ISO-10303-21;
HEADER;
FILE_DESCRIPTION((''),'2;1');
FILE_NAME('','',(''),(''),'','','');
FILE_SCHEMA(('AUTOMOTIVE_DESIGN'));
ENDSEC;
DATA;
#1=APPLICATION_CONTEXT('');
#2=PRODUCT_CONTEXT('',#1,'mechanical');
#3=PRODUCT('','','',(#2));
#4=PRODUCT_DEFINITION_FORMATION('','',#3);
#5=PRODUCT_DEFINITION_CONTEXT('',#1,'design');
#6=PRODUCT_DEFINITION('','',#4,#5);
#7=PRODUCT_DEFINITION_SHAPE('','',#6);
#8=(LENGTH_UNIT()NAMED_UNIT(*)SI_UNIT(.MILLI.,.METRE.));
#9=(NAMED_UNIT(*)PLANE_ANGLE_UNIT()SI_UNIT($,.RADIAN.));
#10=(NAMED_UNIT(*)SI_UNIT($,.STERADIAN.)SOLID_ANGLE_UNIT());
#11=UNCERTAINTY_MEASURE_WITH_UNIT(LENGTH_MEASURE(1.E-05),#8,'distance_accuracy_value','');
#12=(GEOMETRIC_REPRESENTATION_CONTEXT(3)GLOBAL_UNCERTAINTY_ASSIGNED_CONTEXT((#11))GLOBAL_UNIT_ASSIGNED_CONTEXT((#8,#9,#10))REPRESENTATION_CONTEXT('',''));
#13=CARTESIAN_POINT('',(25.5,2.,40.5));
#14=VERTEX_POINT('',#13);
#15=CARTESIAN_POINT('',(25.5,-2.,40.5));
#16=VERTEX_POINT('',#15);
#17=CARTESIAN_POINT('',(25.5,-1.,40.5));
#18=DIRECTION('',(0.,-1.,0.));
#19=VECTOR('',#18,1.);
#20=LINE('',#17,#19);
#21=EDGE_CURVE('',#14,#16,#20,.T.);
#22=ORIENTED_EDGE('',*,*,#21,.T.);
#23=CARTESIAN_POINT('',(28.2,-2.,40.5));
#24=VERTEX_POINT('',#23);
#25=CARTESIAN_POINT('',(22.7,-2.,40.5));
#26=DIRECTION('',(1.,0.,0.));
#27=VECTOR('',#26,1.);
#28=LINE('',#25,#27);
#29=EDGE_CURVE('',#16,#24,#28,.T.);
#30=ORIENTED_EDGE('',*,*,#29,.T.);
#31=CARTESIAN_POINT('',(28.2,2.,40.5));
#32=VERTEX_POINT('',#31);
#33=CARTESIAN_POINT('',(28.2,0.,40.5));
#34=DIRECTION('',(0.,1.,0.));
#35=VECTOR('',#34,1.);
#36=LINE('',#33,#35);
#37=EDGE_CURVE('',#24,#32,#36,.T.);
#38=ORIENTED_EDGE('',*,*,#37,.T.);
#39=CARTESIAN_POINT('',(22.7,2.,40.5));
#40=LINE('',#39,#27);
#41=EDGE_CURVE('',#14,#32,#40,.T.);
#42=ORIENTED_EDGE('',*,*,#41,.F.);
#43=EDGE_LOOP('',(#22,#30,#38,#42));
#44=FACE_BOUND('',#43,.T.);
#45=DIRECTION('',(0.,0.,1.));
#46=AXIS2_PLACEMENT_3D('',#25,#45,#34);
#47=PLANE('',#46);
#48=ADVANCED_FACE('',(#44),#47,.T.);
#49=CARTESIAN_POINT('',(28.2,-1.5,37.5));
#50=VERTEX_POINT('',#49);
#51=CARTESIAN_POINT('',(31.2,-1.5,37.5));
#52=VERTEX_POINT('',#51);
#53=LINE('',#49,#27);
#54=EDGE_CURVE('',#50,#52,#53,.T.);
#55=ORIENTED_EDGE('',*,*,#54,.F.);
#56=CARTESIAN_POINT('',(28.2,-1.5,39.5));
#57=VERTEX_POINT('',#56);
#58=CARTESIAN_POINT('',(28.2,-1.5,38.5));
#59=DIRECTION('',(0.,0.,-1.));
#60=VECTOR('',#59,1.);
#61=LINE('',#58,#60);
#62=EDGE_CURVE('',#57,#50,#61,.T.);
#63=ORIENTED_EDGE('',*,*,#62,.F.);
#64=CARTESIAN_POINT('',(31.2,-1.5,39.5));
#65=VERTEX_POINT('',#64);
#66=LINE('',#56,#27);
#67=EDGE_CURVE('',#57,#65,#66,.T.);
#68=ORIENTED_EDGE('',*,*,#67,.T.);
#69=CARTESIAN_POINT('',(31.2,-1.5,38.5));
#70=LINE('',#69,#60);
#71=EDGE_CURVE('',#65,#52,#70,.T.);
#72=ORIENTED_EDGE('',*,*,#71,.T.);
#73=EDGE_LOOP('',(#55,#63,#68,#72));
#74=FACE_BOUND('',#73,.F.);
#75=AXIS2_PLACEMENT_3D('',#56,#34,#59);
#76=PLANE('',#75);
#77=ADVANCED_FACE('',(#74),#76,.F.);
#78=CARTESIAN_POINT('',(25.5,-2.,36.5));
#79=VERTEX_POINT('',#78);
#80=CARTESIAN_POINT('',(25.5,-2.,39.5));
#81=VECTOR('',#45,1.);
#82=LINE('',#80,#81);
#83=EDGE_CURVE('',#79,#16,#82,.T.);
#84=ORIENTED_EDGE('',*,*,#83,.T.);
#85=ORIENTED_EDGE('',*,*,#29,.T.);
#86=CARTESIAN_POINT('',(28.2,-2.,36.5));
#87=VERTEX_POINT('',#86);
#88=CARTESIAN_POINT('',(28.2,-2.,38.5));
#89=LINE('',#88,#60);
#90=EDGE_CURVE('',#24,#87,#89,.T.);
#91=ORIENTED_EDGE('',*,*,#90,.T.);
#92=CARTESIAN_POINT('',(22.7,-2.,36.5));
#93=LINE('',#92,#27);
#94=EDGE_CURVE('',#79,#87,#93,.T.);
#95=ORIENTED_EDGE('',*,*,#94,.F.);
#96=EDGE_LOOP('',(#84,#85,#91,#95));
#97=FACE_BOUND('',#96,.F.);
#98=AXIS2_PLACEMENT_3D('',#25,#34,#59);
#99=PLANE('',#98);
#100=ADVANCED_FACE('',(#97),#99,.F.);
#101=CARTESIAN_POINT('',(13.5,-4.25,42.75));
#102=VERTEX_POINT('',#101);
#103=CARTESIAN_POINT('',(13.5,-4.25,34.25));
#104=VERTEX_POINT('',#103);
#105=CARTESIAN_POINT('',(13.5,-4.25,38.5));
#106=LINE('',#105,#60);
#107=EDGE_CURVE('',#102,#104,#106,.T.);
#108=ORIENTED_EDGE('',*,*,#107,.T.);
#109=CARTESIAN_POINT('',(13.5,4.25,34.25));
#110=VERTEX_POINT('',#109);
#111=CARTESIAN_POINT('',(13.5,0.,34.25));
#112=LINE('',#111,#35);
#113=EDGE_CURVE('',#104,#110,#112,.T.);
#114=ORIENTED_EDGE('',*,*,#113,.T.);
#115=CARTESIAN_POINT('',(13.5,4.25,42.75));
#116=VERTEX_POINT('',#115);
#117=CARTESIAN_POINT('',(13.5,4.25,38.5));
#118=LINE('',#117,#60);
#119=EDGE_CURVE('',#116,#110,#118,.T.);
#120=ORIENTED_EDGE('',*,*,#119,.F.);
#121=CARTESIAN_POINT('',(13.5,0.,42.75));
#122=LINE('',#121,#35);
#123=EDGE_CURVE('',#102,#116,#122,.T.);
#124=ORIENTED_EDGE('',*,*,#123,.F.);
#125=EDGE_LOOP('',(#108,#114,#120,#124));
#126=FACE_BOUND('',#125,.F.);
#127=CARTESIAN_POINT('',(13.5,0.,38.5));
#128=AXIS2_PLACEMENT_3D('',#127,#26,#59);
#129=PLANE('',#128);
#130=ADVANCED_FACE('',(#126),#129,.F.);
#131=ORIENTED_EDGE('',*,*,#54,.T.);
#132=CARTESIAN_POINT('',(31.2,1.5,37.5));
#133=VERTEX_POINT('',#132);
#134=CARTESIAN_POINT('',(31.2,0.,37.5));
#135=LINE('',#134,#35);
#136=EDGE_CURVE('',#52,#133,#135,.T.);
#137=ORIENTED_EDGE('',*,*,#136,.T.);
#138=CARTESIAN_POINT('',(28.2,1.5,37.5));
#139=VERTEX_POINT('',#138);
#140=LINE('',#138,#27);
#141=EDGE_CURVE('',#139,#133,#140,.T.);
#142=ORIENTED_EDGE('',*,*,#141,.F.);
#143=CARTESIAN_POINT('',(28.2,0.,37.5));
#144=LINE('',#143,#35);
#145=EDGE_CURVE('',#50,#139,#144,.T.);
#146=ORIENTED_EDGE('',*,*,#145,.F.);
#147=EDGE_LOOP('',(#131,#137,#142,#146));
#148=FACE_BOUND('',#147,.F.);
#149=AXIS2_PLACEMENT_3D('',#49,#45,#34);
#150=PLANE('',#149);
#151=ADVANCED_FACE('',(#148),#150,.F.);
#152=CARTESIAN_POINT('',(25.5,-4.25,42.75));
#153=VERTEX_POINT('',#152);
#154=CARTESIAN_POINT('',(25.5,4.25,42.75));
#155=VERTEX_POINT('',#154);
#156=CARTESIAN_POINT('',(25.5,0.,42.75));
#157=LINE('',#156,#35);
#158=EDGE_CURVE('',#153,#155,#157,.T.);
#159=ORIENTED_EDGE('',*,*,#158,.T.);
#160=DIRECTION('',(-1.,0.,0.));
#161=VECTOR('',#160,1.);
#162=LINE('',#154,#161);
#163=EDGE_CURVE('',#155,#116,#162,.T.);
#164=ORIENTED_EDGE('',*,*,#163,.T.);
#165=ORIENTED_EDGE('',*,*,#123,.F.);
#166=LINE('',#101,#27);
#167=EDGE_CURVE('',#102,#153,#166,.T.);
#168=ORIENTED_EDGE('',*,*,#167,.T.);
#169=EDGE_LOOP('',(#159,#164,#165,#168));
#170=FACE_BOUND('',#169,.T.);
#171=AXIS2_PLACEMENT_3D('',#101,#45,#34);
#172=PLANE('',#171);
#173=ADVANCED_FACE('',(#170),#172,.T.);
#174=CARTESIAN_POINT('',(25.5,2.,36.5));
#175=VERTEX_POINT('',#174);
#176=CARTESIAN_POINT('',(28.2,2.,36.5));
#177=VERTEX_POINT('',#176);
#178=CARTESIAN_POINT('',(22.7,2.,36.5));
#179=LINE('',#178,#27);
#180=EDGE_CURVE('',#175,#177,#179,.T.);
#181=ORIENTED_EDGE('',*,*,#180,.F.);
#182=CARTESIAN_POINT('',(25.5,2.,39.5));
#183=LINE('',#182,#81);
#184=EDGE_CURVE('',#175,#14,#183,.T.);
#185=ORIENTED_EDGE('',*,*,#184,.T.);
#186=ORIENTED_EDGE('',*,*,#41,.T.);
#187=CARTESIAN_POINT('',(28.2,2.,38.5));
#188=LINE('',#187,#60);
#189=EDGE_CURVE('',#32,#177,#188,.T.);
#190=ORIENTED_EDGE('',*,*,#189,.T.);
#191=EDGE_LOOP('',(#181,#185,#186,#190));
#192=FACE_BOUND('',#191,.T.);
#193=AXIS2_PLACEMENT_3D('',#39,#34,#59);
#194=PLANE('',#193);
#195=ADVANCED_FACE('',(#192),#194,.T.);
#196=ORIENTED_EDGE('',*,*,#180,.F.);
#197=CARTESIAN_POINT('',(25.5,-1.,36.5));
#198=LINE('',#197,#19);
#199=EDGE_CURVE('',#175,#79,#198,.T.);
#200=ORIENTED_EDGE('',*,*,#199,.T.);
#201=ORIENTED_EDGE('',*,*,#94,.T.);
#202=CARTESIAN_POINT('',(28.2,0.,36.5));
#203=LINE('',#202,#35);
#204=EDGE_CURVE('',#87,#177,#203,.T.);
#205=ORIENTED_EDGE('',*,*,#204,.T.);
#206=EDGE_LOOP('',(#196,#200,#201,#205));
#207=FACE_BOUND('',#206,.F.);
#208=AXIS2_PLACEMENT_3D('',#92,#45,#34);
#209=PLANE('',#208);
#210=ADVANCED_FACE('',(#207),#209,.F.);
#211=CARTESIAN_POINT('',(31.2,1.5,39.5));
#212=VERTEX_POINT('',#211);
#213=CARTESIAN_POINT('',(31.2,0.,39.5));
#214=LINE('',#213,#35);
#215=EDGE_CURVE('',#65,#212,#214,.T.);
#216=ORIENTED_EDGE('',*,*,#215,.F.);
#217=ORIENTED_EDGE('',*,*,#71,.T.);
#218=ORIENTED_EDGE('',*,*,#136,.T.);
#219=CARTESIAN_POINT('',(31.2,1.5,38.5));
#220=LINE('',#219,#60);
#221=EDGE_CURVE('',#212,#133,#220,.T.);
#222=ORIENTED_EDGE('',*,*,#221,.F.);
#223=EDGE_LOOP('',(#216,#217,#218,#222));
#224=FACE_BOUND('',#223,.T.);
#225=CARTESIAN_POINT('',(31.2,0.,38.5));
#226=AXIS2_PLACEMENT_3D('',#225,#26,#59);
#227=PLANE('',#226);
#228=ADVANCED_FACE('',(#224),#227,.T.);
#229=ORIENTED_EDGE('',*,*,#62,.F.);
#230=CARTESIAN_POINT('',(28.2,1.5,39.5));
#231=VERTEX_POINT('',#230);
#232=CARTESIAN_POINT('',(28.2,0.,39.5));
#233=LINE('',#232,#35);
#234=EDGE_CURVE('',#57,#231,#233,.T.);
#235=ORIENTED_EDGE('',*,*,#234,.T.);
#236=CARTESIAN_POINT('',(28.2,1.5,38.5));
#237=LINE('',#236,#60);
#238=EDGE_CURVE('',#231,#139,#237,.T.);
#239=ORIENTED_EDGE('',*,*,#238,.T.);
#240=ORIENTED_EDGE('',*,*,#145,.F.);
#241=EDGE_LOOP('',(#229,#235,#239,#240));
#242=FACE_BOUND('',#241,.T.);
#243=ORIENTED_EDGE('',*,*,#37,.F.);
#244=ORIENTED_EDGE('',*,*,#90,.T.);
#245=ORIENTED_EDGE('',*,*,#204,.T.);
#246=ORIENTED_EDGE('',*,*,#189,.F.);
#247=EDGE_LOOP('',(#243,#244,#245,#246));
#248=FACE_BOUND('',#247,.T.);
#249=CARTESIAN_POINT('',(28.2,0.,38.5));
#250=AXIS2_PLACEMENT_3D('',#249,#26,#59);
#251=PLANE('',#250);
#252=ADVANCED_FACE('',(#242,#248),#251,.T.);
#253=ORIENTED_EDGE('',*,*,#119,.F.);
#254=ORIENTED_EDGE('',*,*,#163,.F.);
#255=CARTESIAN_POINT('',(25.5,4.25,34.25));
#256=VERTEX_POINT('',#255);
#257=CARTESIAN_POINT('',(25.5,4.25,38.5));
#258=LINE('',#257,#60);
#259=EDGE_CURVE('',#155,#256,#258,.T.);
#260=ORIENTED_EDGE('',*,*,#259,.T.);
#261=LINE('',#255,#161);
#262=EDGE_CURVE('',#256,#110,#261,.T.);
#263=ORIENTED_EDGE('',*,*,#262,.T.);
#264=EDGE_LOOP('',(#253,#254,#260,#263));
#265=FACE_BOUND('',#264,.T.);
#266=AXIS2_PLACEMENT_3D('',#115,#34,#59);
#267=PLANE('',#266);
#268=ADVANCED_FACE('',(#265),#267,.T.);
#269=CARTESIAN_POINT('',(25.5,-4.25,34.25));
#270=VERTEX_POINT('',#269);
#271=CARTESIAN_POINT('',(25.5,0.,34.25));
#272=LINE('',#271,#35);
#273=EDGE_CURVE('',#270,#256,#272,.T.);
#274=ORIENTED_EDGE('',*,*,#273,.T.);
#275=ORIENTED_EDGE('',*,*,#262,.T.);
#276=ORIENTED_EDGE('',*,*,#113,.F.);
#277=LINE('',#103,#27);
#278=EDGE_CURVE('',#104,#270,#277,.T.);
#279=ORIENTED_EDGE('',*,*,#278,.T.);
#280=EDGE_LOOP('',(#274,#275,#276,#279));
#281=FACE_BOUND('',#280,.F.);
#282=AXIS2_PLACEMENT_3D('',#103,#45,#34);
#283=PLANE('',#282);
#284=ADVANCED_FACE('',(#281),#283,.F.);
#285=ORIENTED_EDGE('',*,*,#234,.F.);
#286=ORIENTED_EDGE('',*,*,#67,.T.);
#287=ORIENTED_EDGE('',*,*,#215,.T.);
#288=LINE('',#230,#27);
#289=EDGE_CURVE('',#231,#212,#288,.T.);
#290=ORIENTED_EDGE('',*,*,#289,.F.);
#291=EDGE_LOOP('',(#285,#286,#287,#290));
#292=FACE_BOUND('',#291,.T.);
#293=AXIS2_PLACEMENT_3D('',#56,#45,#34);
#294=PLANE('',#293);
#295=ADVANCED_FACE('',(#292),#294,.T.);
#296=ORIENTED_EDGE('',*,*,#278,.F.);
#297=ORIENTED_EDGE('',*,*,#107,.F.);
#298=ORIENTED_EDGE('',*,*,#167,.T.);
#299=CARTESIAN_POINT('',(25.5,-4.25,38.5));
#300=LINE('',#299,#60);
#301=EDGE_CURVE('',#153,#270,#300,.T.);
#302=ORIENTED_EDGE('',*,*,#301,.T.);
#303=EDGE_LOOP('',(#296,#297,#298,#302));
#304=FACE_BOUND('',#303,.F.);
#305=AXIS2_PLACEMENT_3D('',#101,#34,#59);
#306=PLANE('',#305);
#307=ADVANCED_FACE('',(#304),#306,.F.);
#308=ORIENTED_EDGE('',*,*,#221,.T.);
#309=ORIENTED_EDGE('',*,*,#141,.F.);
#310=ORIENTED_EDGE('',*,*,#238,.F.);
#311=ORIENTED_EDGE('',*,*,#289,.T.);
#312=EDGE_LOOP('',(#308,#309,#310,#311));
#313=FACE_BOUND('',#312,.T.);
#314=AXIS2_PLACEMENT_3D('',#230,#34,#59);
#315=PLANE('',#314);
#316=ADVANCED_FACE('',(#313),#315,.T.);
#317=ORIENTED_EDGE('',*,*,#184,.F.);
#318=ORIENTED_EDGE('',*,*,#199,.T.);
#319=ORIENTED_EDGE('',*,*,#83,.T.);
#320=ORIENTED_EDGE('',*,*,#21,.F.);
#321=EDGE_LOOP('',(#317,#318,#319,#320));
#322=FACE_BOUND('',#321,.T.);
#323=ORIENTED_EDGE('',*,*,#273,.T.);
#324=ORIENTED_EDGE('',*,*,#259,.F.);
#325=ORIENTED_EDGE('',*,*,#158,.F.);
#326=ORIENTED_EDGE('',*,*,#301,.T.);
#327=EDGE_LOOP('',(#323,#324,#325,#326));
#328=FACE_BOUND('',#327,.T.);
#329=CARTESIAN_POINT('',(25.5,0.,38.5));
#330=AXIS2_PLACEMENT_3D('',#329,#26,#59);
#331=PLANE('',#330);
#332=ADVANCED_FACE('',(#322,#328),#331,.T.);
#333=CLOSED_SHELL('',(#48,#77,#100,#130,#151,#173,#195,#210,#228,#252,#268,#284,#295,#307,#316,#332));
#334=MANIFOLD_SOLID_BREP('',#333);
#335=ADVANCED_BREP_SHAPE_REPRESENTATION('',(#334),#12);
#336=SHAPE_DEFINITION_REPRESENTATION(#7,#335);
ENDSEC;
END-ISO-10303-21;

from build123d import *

# Parameters (mm, degrees)
BOX075_W                = 4
BOX075_H                = 4
BOX075_DEPTH            = 5.5
BOX076_W                = 8.5
BOX076_H                = 8.5
BOX076_DEPTH            = 3.5
BOX078_W                = 2
BOX078_H                = 3
BOX078_DEPTH            = 3
BOX074_W                = 8.5
BOX074_H                = 8.5
BOX074_DEPTH            = 8.5
BODY004_PLACEMENT_ANGLE = 90


with BuildPart() as plunger:
    # Box075 → Box075 (new body)
    with BuildSketch(Plane(origin=(-2, -2, 5.7), x_dir=(1, 0, 0), z_dir=(0, 0, 1))):
        with Locations((2, 2)):
            Rectangle(BOX075_W, BOX075_H)
    extrude(amount=BOX075_DEPTH)


with BuildPart() as pins:
    # Box076 → Box076 (new body)
    with BuildSketch(Plane(origin=(-4.25, -4.25, -3.5), x_dir=(1, 0, 0), z_dir=(0, 0, 1))):
        with Locations((4.25, 4.25)):
            Rectangle(BOX076_W, BOX076_H)
    extrude(amount=BOX076_DEPTH)


with BuildPart() as plunger001:
    # Box078 → Box078 (new body)
    with BuildSketch(Plane(origin=(-1, -1.5, 11.2), x_dir=(1, 0, 0), z_dir=(0, 0, 1))):
        with Locations((1, 1.5)):
            Rectangle(BOX078_W, BOX078_H)
    extrude(amount=BOX078_DEPTH)


with BuildPart() as switch:
    # Box074 → Box074 (new body)
    with BuildSketch(Plane(origin=(-4.25, -4.25, 0), x_dir=(1, 0, 0), z_dir=(0, 0, 1))):
        with Locations((4.25, 4.25)):
            Rectangle(BOX074_W, BOX074_H)
    extrude(amount=BOX074_DEPTH)

    # Fusion024: union plunger, pins, plunger001
    add(plunger.part)
    add(pins.part)
    add(plunger001.part)


with BuildPart() as switch_1:
    # Body004 placement: moved
    add(switch.part.moved(Location((17, 0, 38.5))).rotate(Axis((17, 0, 38.5), (0, 1, 0)), BODY004_PLACEMENT_ANGLE))


solid = switch_1.part
